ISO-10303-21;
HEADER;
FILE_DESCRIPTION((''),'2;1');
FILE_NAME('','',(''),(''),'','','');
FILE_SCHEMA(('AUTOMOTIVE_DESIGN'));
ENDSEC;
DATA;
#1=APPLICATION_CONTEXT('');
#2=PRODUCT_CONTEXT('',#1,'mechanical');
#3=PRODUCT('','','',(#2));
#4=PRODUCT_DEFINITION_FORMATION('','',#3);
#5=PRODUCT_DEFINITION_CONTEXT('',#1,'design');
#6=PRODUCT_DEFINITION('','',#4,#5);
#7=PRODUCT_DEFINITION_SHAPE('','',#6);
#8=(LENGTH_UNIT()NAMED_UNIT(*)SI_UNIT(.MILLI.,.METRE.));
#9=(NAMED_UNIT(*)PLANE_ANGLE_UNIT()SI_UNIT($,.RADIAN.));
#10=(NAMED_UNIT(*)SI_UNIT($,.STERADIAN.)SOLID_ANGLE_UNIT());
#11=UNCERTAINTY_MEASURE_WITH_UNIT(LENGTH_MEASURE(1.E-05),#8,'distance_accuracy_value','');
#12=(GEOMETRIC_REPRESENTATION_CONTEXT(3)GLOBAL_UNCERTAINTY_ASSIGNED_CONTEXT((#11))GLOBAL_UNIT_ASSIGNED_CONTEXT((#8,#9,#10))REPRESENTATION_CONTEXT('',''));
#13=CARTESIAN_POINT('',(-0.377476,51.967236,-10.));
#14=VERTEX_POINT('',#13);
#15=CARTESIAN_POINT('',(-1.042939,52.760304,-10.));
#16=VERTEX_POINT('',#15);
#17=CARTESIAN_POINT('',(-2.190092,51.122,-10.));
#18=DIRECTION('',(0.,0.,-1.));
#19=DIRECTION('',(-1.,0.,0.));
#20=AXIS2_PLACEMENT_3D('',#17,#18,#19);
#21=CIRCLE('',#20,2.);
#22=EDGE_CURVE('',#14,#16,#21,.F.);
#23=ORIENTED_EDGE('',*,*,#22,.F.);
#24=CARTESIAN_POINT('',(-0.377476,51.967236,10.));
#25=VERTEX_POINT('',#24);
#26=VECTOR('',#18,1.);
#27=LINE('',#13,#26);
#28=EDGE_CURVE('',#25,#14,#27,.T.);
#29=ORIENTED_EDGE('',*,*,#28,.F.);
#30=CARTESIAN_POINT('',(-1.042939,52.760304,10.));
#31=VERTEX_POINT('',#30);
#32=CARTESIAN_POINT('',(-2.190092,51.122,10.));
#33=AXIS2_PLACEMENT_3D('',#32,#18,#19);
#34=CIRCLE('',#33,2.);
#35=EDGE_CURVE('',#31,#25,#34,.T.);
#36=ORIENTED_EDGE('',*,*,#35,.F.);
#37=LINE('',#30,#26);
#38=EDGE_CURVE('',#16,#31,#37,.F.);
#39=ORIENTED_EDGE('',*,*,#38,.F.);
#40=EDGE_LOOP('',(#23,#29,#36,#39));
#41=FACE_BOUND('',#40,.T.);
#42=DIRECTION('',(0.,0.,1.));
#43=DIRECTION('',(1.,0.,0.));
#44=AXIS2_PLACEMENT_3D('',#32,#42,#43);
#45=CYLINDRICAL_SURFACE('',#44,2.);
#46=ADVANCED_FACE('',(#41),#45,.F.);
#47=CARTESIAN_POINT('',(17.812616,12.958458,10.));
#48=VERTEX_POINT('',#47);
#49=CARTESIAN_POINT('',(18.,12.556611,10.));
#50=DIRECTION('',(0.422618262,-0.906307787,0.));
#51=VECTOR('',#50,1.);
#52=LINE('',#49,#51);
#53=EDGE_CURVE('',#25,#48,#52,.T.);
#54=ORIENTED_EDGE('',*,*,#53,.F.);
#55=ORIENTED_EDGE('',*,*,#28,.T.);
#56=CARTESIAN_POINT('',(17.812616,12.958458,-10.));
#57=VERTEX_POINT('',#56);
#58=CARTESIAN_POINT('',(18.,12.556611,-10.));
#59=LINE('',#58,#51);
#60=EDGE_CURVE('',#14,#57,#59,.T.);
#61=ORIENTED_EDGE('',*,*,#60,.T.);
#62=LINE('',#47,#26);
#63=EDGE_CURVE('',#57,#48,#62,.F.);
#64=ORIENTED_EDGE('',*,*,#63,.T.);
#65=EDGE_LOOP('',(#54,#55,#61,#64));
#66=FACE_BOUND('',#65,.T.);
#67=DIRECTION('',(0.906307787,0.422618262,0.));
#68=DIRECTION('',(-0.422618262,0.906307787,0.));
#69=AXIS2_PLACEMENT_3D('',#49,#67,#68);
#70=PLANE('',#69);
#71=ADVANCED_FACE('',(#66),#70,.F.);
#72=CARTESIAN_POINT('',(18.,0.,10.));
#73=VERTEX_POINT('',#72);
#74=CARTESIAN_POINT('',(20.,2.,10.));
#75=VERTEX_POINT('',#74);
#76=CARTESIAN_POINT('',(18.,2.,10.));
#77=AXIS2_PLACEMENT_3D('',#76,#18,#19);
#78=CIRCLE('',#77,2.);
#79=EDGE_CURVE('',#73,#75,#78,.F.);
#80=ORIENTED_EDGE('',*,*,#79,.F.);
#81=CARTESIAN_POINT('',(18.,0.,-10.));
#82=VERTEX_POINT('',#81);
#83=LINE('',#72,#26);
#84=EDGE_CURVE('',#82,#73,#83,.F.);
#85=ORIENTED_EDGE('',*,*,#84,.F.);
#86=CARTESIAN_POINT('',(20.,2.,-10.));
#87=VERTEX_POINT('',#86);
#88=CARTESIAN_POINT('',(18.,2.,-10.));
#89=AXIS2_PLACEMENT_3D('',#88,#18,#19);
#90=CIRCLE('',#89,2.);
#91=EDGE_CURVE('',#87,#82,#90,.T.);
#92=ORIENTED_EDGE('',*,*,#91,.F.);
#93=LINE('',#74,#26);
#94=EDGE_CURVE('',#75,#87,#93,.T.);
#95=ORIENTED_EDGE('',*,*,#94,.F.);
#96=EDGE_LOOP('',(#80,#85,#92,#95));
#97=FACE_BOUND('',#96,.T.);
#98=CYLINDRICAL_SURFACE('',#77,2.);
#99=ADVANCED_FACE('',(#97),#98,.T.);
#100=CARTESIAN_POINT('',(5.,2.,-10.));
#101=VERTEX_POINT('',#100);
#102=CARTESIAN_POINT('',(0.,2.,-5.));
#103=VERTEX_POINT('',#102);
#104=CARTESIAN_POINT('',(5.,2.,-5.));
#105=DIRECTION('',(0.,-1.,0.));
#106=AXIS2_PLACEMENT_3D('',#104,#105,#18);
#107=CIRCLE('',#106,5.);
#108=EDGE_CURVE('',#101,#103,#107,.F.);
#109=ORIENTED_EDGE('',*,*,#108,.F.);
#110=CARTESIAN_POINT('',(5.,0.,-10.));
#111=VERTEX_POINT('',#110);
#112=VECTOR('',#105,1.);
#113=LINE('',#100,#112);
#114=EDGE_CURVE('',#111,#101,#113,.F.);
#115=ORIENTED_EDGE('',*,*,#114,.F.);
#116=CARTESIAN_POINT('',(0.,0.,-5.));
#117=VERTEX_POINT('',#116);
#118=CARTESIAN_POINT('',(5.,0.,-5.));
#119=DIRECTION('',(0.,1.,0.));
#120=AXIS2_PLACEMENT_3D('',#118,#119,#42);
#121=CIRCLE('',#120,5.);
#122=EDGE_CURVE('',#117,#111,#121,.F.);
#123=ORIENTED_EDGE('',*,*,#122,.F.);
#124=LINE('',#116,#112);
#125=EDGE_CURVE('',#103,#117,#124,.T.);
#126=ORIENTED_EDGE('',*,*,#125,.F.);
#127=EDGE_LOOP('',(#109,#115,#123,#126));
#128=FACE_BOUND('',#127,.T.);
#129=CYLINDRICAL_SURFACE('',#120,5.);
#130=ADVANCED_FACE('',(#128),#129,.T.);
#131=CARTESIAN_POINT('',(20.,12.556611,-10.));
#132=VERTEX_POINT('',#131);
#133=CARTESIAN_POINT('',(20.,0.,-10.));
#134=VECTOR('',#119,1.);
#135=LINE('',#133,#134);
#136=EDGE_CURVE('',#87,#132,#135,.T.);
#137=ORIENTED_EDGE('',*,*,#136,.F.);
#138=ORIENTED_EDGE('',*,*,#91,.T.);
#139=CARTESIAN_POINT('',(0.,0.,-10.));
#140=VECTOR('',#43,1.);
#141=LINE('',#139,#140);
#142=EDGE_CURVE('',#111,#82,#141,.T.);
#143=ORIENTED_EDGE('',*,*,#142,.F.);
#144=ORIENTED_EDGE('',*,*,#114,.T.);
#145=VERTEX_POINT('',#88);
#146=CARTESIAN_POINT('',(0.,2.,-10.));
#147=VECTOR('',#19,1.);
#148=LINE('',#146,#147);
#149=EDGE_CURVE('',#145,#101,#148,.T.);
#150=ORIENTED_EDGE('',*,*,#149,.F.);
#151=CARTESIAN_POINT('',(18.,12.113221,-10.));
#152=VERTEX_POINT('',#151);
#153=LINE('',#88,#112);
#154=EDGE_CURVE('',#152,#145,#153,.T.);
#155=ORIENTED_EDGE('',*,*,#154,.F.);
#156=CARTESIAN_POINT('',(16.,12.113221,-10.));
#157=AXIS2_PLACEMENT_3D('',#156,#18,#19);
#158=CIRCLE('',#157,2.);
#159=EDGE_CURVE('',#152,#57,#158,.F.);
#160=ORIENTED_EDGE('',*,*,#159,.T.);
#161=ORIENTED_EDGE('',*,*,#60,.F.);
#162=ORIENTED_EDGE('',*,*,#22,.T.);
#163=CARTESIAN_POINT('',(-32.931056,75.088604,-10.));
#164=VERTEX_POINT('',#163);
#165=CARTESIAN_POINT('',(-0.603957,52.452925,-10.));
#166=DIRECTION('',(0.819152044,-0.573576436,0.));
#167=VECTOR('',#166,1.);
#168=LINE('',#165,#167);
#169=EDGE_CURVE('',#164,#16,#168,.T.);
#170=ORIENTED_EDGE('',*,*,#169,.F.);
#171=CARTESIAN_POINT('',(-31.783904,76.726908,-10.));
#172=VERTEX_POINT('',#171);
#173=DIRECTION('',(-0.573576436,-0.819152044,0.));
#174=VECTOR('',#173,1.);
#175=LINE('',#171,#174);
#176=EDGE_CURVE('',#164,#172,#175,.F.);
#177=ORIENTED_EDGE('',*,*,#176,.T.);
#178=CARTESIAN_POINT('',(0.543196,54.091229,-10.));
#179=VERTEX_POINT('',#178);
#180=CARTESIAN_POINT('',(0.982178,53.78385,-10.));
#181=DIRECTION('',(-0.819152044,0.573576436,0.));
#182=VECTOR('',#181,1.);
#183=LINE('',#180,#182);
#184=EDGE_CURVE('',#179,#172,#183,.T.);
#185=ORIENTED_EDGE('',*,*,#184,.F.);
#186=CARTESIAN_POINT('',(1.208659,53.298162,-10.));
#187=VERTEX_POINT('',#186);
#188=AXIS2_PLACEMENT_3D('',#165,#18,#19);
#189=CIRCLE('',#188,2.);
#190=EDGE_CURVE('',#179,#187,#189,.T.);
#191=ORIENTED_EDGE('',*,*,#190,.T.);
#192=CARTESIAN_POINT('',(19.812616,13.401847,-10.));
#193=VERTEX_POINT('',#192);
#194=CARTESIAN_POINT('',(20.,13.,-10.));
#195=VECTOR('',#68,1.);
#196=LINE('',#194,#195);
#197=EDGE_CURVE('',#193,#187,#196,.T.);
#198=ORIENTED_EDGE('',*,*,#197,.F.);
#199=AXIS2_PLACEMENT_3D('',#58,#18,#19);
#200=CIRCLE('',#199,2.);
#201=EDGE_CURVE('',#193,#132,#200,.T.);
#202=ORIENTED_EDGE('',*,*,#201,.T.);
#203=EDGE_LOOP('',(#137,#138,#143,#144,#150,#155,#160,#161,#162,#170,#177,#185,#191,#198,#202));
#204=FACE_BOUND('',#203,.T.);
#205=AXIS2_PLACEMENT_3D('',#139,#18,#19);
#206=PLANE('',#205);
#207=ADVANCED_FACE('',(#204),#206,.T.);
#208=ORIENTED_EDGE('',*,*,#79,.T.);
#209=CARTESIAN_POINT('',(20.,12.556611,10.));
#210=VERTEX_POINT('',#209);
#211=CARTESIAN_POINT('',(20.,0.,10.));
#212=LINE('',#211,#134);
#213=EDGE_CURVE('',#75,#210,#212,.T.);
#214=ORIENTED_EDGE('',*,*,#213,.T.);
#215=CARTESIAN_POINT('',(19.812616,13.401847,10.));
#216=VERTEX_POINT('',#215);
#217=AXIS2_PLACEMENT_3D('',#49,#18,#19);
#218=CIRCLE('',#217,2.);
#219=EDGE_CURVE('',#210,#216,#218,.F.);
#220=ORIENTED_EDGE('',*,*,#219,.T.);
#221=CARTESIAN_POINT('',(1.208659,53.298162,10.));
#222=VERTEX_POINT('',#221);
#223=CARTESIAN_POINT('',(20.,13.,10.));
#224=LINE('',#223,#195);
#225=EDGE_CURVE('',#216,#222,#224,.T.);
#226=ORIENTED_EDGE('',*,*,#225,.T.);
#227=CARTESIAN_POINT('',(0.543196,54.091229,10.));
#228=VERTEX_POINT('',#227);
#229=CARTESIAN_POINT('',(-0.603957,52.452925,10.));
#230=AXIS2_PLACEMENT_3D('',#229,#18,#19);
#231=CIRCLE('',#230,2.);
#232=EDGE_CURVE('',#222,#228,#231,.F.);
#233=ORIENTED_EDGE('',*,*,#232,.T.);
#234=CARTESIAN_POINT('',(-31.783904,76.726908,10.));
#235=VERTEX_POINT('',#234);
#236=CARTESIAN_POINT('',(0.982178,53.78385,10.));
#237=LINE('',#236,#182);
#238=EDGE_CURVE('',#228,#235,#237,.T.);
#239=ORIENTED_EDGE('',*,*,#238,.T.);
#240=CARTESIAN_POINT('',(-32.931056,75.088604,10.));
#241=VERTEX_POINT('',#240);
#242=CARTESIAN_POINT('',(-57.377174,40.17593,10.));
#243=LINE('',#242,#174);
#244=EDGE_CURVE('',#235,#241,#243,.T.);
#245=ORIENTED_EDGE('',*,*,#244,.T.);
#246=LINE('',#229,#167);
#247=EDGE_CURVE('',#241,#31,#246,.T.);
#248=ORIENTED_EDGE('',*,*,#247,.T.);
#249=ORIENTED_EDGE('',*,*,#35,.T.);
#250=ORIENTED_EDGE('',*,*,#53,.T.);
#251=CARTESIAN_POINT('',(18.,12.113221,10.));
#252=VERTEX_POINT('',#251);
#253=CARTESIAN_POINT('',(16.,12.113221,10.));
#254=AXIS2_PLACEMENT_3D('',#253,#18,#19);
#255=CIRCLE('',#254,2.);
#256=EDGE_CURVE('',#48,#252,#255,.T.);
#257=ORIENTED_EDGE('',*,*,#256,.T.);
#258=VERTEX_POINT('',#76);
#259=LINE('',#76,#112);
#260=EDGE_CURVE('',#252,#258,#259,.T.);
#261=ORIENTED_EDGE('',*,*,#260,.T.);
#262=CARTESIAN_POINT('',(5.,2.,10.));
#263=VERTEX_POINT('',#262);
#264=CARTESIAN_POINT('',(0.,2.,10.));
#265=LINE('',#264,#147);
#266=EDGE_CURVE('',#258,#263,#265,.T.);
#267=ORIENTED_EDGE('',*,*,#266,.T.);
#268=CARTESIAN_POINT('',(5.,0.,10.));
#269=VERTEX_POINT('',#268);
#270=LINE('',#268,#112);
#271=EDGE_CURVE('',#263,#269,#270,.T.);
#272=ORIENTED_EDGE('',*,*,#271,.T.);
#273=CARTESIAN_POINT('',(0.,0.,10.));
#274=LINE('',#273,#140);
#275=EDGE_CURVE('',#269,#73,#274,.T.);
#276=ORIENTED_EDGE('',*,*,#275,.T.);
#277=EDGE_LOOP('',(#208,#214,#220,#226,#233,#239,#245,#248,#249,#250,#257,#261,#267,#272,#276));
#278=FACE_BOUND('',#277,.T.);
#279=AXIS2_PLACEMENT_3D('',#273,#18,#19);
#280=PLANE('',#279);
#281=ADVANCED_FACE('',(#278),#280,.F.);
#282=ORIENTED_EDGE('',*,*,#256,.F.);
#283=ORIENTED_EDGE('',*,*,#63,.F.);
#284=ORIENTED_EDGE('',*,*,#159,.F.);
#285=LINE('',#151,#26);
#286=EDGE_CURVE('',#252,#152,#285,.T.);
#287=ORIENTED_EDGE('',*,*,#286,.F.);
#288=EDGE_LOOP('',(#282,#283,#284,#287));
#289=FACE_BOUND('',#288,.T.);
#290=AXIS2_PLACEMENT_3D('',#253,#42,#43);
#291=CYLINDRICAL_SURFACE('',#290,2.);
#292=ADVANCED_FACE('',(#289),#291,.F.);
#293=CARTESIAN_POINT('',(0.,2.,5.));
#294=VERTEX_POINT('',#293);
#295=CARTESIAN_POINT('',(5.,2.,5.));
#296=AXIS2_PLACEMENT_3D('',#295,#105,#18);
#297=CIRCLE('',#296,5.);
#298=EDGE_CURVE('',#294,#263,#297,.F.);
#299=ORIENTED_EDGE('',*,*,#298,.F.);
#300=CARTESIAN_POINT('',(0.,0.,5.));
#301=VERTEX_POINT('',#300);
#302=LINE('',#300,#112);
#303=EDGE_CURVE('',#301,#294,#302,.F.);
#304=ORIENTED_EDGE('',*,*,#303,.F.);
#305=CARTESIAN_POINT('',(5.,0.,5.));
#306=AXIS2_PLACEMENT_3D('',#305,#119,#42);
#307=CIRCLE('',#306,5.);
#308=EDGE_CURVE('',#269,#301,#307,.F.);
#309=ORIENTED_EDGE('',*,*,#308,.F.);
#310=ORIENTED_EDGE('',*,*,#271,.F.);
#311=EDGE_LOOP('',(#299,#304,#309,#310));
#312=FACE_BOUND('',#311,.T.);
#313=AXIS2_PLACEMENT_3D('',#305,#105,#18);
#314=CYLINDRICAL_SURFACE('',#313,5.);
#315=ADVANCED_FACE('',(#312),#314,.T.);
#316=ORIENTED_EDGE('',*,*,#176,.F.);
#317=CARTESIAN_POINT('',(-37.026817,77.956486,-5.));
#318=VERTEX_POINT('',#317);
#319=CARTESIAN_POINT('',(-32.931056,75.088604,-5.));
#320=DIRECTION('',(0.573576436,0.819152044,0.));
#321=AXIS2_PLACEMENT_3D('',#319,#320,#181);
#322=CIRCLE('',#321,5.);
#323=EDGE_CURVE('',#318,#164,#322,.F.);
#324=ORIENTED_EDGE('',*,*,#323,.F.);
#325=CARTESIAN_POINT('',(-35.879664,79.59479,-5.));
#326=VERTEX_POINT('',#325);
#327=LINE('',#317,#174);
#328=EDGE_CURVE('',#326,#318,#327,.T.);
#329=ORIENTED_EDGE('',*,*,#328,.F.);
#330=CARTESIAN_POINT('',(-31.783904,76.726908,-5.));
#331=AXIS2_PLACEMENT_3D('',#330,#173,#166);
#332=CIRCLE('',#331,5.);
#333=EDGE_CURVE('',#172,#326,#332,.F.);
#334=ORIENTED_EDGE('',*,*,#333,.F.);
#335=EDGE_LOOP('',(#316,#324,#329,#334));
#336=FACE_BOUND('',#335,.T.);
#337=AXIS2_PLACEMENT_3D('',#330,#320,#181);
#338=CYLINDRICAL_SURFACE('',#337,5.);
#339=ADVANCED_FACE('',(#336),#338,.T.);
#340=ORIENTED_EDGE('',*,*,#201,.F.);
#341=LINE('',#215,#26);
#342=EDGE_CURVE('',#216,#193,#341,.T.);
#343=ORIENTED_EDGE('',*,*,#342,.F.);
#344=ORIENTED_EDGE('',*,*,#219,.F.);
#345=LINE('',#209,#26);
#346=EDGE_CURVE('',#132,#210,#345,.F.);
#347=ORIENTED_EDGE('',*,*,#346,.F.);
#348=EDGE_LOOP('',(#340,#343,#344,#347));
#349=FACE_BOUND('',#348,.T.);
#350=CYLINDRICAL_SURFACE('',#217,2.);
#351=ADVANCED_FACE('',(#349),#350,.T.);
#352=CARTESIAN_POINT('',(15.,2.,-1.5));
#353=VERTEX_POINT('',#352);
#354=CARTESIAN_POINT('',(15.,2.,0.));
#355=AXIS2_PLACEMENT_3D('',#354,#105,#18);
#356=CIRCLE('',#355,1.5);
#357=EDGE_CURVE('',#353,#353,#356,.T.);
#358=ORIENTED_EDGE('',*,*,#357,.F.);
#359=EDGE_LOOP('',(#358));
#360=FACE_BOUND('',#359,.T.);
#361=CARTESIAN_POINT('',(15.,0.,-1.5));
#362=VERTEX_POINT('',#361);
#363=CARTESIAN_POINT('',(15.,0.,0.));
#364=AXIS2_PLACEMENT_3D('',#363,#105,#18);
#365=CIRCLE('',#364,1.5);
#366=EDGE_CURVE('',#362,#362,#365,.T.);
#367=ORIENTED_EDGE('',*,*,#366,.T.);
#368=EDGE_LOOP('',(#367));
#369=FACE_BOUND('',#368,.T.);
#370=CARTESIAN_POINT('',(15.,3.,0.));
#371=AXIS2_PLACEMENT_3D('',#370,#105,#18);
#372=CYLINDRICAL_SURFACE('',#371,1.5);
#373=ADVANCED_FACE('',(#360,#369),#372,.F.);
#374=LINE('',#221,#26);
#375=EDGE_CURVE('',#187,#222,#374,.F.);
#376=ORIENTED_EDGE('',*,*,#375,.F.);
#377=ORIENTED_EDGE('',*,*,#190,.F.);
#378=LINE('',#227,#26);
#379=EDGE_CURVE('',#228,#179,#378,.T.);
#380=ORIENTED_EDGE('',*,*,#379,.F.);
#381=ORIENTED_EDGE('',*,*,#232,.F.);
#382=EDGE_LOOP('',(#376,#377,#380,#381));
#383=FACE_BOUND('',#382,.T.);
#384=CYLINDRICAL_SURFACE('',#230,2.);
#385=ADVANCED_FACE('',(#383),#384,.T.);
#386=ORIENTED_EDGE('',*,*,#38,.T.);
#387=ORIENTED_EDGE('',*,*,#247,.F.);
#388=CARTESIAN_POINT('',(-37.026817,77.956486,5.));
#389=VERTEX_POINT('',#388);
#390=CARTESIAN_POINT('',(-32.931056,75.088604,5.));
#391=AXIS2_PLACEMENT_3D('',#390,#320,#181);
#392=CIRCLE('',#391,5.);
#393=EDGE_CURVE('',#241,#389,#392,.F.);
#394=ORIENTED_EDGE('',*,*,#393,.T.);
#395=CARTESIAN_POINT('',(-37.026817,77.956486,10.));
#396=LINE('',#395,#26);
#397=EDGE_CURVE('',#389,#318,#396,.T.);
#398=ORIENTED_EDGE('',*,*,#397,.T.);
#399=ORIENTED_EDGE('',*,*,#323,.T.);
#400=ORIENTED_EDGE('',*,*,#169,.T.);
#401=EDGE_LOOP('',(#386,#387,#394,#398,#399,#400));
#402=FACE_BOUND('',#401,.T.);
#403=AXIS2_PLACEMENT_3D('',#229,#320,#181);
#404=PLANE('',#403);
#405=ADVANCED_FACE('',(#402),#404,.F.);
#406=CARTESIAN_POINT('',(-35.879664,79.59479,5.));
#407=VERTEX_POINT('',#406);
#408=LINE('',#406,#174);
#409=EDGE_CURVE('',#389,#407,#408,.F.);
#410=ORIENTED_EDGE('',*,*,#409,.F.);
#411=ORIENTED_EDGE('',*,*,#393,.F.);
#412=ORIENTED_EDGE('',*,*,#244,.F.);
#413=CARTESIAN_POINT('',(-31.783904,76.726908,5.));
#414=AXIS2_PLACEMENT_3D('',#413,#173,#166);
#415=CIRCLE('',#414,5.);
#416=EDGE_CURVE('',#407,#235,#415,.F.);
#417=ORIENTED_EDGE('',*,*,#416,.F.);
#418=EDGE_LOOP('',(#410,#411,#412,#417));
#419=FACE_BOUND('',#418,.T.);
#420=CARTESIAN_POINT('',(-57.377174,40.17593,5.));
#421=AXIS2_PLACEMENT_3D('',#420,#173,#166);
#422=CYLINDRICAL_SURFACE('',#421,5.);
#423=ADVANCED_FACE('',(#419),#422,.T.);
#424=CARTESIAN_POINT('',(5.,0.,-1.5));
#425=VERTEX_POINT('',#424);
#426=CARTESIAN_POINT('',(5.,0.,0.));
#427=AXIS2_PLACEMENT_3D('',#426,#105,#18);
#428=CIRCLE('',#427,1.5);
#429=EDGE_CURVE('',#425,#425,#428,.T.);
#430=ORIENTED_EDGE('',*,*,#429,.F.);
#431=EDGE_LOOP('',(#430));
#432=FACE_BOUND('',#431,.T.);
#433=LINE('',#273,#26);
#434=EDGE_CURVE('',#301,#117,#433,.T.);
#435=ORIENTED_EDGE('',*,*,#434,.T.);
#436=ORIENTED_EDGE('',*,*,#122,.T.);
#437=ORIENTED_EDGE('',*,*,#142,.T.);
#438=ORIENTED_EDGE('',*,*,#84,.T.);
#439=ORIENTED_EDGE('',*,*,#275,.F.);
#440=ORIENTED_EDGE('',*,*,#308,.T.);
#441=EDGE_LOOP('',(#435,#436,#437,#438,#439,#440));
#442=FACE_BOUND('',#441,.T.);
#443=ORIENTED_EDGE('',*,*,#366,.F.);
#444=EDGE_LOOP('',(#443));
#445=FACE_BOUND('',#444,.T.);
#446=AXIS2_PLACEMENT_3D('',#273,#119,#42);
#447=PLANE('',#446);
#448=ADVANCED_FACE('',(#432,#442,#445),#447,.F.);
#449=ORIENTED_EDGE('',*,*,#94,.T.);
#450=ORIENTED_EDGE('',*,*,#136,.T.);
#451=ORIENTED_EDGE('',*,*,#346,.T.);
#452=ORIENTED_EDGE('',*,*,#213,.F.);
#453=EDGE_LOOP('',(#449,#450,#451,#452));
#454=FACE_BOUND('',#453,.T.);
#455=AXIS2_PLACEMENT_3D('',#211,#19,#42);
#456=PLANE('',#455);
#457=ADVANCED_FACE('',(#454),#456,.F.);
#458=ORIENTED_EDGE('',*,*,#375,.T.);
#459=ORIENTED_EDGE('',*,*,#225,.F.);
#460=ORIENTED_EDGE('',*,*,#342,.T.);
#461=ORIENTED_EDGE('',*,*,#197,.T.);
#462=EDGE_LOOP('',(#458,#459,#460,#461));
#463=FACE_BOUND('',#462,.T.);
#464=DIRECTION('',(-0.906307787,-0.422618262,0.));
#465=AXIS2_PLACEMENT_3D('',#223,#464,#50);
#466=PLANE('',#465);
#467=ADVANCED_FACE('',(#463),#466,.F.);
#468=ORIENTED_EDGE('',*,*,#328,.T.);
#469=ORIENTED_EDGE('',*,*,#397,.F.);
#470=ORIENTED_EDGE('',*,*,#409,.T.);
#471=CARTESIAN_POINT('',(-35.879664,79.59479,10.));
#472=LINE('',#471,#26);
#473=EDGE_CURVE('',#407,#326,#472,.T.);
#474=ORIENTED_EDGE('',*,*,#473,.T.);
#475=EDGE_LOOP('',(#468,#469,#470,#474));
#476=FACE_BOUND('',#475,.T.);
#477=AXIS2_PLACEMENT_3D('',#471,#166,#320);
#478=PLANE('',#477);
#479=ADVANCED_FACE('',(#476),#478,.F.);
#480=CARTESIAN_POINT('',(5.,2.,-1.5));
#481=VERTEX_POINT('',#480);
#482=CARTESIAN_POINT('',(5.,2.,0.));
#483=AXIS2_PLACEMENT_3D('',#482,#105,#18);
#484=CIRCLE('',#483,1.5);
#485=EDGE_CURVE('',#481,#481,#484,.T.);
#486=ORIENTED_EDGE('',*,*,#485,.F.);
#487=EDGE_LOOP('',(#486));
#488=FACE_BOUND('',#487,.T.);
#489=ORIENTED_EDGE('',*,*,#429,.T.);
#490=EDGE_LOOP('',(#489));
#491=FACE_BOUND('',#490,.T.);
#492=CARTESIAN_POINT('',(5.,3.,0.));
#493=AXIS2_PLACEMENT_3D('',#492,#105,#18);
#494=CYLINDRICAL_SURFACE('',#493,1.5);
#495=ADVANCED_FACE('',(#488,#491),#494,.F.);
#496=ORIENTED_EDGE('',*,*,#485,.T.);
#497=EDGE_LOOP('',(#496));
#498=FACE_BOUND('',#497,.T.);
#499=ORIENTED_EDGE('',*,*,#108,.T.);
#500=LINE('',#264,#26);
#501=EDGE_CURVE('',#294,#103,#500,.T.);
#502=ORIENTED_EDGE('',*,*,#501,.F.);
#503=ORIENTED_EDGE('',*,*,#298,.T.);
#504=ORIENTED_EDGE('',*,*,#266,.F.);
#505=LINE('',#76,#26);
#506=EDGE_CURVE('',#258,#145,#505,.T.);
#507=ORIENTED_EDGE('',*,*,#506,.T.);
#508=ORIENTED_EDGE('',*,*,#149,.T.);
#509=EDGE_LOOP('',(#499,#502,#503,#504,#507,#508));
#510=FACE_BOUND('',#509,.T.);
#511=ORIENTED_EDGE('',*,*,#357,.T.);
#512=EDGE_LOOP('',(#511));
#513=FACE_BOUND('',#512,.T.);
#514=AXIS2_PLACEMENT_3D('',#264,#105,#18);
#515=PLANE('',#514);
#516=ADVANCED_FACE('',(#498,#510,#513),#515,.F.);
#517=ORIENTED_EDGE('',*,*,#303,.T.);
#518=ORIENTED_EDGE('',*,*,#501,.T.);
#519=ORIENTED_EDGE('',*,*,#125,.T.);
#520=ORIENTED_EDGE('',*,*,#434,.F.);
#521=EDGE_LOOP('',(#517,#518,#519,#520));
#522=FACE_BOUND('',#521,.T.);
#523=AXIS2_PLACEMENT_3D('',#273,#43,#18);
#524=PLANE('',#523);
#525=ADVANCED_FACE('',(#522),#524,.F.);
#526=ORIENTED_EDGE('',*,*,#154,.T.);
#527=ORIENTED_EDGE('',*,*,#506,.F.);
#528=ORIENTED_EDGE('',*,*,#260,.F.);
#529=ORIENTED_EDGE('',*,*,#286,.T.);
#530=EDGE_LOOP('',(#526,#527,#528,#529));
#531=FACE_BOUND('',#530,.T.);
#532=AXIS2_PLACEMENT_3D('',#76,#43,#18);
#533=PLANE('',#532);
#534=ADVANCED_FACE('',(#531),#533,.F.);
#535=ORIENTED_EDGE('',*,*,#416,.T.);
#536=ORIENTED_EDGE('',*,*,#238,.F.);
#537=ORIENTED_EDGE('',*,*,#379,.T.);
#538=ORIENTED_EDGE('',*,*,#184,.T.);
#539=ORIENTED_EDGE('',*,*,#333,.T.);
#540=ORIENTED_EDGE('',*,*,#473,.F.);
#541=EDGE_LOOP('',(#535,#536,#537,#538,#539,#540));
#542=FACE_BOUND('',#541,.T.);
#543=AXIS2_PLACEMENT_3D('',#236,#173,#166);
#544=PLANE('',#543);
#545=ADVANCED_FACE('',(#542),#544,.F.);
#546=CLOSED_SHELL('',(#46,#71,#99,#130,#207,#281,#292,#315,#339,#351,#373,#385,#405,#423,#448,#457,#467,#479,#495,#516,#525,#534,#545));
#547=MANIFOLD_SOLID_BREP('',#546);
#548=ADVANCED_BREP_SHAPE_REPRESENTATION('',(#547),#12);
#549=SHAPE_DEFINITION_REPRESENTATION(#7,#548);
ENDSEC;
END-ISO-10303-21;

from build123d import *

# Parameters (mm, degrees)
BOSS_EXTRUDE1_DEPTH = 10
FILLET1_R           = 2
FILLET2_R           = 5
SKETCH2_R           = 1.5
CUT_EXTRUDE1_DEPTH  = 3


with BuildPart() as part:
    # Sketch1 → Boss-Extrude1 (new, symmetric)
    with BuildSketch(Plane.XY):
        Polygon((0, 0), (20, 0), (20, 13), (0.982178222, 53.783850417), (-35.879663771, 79.594790052), (-37.026816644, 77.956485964), (-0.603956909, 52.452925014), (18, 12.556610675), (18, 2), (0, 2), align=None)
    extrude(amount=BOSS_EXTRUDE1_DEPTH, both=True)

    # Fillet1
    fillet1_edges = [part.edges().sort_by_distance(p)[0] for p in [
        (18, 12.556610675, 0),
        (-0.603956909, 52.452925014, 0),
        (0.982178222, 53.783850417, 0),
        (20, 13, 0),
        (20, 0, 0),
    ]]
    fillet(fillet1_edges, radius=FILLET1_R)

    # Fillet2
    fillet2_edges = [part.edges().sort_by_distance(p)[0] for p in [
        (-36.453240208, 78.775638008, -10),
        (0, 1, -10),
        (-36.453240208, 78.775638008, 10),
        (0, 1, 10),
    ]]
    fillet(fillet2_edges, radius=FILLET2_R)

    # Sketch2 → Cut-Extrude1 (cut)
    with BuildSketch(Plane.XZ):
        with Locations(Location((5, 0, 0), (0, 0, 270))):
            Circle(SKETCH2_R)
        with Locations(Location((15, 0, 0), (0, 0, 270))):
            Circle(SKETCH2_R)
    extrude(amount=-CUT_EXTRUDE1_DEPTH, mode=Mode.SUBTRACT)


solid = part.part
